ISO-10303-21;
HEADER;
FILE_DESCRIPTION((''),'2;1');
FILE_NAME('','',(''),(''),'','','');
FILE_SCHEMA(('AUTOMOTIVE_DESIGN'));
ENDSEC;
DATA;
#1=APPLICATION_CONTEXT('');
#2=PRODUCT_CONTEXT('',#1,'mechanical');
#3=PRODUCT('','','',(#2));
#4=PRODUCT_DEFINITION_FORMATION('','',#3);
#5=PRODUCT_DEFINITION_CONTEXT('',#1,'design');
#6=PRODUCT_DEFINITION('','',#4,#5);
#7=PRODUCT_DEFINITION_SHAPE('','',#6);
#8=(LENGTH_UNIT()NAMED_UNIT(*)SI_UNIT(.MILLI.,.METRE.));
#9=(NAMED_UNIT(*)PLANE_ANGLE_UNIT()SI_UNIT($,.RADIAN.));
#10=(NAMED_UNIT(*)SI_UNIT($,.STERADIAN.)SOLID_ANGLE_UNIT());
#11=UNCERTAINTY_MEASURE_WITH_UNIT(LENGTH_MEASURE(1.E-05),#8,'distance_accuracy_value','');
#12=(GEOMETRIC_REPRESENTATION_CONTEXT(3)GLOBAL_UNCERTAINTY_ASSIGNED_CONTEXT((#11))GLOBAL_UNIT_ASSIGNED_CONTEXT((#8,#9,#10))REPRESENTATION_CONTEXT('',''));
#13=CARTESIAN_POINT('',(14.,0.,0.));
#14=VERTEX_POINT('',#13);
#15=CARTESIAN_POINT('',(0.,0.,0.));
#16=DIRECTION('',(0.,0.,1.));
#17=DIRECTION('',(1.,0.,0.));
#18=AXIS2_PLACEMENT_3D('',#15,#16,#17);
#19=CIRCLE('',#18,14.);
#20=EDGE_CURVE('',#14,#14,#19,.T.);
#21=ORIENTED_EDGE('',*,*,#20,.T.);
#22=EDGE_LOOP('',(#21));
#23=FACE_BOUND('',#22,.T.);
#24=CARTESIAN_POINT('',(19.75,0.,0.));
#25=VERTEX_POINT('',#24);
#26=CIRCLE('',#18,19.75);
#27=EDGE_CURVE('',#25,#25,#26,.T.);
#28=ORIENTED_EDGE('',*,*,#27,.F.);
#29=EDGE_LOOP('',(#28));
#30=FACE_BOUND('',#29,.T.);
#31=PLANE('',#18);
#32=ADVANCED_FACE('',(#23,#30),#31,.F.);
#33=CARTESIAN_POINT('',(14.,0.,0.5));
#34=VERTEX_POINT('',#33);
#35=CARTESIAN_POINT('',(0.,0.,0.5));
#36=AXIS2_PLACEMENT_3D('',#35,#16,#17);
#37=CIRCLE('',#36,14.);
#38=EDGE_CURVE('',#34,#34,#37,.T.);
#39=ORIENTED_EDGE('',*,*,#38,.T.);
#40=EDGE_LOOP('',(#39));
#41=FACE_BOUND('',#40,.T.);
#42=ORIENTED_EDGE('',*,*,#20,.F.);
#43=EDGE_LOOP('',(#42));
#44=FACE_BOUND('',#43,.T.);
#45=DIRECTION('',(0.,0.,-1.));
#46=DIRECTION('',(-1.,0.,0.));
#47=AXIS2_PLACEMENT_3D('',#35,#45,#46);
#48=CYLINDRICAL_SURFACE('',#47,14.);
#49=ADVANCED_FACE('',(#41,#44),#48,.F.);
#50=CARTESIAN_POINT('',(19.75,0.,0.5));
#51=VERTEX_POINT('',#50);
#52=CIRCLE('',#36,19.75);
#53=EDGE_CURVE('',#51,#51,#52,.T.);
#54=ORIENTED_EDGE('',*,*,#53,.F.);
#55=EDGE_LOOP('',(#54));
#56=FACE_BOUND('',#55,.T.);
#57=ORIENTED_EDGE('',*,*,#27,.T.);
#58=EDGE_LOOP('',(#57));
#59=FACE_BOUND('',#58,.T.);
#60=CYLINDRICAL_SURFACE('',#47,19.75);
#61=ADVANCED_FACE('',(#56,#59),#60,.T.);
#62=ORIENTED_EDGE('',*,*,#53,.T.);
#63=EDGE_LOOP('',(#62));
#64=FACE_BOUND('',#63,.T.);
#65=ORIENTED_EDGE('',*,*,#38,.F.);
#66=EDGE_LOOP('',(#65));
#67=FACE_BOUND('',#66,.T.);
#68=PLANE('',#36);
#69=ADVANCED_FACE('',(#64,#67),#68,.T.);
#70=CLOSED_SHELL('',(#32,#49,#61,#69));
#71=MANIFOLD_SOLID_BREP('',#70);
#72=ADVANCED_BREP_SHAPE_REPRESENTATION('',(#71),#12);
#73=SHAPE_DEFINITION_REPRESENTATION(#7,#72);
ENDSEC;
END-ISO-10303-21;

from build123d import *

# Parameters (mm, degrees)
ESQUISSE1_R          = 19.75
ESQUISSE1_R_2        = 14
BASE_EXTRUSION_DEPTH = 0.5


with BuildPart() as part:
    # Esquisse1 → Base-Extrusion (new body)
    with BuildSketch(Plane.XY):
        Circle(ESQUISSE1_R)
        Circle(ESQUISSE1_R_2, mode=Mode.SUBTRACT)
    extrude(amount=BASE_EXTRUSION_DEPTH)


solid = part.part
